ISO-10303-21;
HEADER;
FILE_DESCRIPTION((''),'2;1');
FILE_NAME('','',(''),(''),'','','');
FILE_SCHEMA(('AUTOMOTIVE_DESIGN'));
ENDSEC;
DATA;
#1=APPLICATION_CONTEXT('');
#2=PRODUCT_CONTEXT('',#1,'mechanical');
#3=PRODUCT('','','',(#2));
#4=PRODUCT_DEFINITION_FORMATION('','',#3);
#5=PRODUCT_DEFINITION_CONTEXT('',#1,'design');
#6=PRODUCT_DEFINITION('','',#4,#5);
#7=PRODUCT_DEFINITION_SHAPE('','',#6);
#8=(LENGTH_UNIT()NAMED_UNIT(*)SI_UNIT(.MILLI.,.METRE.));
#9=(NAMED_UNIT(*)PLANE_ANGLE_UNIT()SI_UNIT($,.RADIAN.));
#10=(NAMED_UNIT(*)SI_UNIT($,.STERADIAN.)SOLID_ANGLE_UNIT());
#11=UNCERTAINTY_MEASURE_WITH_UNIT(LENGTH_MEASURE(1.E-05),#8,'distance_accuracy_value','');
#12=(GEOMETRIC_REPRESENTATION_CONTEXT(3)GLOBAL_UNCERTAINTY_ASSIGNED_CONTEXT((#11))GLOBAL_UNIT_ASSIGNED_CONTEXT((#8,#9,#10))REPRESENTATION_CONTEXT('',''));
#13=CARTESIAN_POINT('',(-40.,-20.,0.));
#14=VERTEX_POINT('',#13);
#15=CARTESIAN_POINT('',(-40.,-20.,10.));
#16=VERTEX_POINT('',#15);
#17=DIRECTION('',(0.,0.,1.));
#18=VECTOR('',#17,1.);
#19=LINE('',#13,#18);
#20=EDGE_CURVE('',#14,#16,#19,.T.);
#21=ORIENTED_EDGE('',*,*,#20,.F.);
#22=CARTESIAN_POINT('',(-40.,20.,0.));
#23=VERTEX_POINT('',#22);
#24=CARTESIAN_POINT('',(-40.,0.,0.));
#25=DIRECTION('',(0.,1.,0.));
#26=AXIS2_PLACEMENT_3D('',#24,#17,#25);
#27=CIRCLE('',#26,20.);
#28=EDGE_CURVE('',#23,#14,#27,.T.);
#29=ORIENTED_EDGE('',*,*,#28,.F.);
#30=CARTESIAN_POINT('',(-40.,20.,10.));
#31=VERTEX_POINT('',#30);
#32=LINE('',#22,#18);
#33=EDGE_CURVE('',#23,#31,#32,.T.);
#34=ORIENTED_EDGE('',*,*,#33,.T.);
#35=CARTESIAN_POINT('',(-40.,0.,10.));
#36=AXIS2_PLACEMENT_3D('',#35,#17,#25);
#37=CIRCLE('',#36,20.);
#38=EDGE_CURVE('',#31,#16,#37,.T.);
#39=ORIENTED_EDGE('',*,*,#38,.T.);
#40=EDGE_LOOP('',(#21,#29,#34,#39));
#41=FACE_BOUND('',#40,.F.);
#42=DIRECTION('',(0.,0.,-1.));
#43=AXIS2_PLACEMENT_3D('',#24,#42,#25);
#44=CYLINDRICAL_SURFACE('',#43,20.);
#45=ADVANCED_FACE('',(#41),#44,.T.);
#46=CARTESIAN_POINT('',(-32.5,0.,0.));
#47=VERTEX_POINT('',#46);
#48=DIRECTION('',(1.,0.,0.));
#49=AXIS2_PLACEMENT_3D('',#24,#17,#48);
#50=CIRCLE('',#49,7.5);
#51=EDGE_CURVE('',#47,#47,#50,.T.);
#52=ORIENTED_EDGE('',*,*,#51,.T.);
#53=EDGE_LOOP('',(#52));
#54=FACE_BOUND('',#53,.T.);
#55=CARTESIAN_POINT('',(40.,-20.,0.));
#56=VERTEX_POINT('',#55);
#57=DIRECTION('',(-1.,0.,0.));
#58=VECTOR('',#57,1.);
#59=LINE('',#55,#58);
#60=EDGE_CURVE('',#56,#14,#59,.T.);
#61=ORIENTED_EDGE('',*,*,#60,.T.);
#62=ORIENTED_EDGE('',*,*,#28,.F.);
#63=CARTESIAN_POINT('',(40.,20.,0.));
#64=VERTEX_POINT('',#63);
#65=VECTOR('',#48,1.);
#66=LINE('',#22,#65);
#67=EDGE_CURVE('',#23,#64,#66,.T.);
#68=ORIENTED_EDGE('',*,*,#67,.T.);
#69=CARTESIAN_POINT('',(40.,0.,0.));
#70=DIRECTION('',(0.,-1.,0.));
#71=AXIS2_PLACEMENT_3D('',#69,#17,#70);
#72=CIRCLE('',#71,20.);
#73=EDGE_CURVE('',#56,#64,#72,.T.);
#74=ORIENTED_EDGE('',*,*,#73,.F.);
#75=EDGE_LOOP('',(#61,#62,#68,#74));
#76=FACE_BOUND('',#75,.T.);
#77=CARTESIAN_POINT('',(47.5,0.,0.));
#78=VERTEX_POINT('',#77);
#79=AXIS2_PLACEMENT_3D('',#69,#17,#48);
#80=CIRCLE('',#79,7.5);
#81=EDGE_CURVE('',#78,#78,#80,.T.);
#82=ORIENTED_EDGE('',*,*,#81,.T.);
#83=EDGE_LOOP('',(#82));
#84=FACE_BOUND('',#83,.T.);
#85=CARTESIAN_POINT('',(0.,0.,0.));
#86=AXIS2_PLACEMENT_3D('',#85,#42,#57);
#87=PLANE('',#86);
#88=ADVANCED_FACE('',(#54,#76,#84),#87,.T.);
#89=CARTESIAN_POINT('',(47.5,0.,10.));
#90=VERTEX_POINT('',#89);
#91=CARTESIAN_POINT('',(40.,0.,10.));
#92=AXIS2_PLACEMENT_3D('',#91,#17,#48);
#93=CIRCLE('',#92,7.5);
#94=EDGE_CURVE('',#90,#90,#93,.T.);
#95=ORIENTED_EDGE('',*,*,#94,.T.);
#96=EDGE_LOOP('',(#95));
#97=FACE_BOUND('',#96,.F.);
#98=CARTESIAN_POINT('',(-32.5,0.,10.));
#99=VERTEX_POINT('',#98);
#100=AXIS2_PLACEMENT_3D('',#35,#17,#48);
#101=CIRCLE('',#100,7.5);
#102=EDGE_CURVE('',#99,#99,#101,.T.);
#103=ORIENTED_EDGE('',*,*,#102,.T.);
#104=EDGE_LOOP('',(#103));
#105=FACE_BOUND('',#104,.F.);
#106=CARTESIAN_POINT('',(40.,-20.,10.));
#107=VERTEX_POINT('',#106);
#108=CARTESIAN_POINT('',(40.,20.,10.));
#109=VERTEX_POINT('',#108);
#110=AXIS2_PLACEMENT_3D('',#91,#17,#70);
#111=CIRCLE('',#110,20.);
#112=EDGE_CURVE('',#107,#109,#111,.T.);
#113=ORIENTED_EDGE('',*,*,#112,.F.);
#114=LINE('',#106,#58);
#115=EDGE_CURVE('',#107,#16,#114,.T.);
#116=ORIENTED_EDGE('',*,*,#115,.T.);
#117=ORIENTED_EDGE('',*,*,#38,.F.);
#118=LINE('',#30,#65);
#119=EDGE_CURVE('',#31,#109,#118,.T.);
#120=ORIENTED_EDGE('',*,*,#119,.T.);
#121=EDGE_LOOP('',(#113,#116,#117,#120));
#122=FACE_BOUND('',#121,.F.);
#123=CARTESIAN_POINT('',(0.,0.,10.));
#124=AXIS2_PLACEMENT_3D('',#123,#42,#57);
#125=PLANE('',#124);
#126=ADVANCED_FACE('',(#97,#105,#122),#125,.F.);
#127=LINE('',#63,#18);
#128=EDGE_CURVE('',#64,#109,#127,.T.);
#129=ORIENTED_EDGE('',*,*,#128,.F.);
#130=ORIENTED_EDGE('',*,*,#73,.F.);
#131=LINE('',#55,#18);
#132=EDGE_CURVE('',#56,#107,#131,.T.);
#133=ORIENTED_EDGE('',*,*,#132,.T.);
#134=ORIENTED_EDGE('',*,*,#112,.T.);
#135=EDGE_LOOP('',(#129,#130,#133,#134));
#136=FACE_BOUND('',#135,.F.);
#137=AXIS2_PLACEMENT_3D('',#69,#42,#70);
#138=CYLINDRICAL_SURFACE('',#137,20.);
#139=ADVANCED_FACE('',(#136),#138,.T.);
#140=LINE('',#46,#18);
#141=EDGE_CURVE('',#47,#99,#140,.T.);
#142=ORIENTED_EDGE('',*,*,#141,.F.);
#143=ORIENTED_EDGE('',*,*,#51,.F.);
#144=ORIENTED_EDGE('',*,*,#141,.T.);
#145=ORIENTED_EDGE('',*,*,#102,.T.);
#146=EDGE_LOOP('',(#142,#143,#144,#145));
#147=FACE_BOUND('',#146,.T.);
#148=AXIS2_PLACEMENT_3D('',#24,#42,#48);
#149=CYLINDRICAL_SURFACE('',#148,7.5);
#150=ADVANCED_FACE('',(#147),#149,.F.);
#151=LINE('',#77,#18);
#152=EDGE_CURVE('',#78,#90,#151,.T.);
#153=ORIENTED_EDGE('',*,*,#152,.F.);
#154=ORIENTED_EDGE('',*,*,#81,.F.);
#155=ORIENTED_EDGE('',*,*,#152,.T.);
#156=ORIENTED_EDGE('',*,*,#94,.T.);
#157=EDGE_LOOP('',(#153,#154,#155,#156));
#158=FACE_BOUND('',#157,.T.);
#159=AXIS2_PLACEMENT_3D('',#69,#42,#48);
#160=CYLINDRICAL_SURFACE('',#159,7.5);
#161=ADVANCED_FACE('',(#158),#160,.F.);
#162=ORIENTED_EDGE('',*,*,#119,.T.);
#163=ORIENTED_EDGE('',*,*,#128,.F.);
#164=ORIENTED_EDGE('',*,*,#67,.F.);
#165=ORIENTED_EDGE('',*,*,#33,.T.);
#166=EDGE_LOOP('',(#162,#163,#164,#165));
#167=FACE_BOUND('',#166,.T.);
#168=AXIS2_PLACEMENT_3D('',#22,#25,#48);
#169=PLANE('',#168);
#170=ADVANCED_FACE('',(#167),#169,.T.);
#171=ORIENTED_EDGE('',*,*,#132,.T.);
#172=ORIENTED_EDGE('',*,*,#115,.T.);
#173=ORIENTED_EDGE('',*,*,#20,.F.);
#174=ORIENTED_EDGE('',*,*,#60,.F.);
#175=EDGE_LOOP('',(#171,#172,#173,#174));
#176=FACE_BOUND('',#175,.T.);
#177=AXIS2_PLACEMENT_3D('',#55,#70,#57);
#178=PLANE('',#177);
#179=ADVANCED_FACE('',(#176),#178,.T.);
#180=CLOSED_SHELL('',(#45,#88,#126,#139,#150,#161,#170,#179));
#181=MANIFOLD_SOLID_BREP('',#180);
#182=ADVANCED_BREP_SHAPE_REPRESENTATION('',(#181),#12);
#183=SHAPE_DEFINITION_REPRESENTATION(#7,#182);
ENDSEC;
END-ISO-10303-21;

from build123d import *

# Parameters (mm, degrees)
SKETCH_R  = 7.5
PAD_DEPTH = 10


with BuildPart() as part:
    # Sketch → Pad (new body)
    with BuildSketch(Plane.XY):
        with BuildLine():
            Line((-40, 20), (40, 20))
            ThreePointArc((40, -20), (60, 0), (40, 20))
            Line((40, -20), (-40, -20))
            ThreePointArc((-40, 20), (-60, 0), (-40, -20))
        make_face()
        with Locations((-40, 0)):
            Circle(SKETCH_R, mode=Mode.SUBTRACT)
        with Locations((40, 0)):
            Circle(SKETCH_R, mode=Mode.SUBTRACT)
    extrude(amount=PAD_DEPTH)


solid = part.part
